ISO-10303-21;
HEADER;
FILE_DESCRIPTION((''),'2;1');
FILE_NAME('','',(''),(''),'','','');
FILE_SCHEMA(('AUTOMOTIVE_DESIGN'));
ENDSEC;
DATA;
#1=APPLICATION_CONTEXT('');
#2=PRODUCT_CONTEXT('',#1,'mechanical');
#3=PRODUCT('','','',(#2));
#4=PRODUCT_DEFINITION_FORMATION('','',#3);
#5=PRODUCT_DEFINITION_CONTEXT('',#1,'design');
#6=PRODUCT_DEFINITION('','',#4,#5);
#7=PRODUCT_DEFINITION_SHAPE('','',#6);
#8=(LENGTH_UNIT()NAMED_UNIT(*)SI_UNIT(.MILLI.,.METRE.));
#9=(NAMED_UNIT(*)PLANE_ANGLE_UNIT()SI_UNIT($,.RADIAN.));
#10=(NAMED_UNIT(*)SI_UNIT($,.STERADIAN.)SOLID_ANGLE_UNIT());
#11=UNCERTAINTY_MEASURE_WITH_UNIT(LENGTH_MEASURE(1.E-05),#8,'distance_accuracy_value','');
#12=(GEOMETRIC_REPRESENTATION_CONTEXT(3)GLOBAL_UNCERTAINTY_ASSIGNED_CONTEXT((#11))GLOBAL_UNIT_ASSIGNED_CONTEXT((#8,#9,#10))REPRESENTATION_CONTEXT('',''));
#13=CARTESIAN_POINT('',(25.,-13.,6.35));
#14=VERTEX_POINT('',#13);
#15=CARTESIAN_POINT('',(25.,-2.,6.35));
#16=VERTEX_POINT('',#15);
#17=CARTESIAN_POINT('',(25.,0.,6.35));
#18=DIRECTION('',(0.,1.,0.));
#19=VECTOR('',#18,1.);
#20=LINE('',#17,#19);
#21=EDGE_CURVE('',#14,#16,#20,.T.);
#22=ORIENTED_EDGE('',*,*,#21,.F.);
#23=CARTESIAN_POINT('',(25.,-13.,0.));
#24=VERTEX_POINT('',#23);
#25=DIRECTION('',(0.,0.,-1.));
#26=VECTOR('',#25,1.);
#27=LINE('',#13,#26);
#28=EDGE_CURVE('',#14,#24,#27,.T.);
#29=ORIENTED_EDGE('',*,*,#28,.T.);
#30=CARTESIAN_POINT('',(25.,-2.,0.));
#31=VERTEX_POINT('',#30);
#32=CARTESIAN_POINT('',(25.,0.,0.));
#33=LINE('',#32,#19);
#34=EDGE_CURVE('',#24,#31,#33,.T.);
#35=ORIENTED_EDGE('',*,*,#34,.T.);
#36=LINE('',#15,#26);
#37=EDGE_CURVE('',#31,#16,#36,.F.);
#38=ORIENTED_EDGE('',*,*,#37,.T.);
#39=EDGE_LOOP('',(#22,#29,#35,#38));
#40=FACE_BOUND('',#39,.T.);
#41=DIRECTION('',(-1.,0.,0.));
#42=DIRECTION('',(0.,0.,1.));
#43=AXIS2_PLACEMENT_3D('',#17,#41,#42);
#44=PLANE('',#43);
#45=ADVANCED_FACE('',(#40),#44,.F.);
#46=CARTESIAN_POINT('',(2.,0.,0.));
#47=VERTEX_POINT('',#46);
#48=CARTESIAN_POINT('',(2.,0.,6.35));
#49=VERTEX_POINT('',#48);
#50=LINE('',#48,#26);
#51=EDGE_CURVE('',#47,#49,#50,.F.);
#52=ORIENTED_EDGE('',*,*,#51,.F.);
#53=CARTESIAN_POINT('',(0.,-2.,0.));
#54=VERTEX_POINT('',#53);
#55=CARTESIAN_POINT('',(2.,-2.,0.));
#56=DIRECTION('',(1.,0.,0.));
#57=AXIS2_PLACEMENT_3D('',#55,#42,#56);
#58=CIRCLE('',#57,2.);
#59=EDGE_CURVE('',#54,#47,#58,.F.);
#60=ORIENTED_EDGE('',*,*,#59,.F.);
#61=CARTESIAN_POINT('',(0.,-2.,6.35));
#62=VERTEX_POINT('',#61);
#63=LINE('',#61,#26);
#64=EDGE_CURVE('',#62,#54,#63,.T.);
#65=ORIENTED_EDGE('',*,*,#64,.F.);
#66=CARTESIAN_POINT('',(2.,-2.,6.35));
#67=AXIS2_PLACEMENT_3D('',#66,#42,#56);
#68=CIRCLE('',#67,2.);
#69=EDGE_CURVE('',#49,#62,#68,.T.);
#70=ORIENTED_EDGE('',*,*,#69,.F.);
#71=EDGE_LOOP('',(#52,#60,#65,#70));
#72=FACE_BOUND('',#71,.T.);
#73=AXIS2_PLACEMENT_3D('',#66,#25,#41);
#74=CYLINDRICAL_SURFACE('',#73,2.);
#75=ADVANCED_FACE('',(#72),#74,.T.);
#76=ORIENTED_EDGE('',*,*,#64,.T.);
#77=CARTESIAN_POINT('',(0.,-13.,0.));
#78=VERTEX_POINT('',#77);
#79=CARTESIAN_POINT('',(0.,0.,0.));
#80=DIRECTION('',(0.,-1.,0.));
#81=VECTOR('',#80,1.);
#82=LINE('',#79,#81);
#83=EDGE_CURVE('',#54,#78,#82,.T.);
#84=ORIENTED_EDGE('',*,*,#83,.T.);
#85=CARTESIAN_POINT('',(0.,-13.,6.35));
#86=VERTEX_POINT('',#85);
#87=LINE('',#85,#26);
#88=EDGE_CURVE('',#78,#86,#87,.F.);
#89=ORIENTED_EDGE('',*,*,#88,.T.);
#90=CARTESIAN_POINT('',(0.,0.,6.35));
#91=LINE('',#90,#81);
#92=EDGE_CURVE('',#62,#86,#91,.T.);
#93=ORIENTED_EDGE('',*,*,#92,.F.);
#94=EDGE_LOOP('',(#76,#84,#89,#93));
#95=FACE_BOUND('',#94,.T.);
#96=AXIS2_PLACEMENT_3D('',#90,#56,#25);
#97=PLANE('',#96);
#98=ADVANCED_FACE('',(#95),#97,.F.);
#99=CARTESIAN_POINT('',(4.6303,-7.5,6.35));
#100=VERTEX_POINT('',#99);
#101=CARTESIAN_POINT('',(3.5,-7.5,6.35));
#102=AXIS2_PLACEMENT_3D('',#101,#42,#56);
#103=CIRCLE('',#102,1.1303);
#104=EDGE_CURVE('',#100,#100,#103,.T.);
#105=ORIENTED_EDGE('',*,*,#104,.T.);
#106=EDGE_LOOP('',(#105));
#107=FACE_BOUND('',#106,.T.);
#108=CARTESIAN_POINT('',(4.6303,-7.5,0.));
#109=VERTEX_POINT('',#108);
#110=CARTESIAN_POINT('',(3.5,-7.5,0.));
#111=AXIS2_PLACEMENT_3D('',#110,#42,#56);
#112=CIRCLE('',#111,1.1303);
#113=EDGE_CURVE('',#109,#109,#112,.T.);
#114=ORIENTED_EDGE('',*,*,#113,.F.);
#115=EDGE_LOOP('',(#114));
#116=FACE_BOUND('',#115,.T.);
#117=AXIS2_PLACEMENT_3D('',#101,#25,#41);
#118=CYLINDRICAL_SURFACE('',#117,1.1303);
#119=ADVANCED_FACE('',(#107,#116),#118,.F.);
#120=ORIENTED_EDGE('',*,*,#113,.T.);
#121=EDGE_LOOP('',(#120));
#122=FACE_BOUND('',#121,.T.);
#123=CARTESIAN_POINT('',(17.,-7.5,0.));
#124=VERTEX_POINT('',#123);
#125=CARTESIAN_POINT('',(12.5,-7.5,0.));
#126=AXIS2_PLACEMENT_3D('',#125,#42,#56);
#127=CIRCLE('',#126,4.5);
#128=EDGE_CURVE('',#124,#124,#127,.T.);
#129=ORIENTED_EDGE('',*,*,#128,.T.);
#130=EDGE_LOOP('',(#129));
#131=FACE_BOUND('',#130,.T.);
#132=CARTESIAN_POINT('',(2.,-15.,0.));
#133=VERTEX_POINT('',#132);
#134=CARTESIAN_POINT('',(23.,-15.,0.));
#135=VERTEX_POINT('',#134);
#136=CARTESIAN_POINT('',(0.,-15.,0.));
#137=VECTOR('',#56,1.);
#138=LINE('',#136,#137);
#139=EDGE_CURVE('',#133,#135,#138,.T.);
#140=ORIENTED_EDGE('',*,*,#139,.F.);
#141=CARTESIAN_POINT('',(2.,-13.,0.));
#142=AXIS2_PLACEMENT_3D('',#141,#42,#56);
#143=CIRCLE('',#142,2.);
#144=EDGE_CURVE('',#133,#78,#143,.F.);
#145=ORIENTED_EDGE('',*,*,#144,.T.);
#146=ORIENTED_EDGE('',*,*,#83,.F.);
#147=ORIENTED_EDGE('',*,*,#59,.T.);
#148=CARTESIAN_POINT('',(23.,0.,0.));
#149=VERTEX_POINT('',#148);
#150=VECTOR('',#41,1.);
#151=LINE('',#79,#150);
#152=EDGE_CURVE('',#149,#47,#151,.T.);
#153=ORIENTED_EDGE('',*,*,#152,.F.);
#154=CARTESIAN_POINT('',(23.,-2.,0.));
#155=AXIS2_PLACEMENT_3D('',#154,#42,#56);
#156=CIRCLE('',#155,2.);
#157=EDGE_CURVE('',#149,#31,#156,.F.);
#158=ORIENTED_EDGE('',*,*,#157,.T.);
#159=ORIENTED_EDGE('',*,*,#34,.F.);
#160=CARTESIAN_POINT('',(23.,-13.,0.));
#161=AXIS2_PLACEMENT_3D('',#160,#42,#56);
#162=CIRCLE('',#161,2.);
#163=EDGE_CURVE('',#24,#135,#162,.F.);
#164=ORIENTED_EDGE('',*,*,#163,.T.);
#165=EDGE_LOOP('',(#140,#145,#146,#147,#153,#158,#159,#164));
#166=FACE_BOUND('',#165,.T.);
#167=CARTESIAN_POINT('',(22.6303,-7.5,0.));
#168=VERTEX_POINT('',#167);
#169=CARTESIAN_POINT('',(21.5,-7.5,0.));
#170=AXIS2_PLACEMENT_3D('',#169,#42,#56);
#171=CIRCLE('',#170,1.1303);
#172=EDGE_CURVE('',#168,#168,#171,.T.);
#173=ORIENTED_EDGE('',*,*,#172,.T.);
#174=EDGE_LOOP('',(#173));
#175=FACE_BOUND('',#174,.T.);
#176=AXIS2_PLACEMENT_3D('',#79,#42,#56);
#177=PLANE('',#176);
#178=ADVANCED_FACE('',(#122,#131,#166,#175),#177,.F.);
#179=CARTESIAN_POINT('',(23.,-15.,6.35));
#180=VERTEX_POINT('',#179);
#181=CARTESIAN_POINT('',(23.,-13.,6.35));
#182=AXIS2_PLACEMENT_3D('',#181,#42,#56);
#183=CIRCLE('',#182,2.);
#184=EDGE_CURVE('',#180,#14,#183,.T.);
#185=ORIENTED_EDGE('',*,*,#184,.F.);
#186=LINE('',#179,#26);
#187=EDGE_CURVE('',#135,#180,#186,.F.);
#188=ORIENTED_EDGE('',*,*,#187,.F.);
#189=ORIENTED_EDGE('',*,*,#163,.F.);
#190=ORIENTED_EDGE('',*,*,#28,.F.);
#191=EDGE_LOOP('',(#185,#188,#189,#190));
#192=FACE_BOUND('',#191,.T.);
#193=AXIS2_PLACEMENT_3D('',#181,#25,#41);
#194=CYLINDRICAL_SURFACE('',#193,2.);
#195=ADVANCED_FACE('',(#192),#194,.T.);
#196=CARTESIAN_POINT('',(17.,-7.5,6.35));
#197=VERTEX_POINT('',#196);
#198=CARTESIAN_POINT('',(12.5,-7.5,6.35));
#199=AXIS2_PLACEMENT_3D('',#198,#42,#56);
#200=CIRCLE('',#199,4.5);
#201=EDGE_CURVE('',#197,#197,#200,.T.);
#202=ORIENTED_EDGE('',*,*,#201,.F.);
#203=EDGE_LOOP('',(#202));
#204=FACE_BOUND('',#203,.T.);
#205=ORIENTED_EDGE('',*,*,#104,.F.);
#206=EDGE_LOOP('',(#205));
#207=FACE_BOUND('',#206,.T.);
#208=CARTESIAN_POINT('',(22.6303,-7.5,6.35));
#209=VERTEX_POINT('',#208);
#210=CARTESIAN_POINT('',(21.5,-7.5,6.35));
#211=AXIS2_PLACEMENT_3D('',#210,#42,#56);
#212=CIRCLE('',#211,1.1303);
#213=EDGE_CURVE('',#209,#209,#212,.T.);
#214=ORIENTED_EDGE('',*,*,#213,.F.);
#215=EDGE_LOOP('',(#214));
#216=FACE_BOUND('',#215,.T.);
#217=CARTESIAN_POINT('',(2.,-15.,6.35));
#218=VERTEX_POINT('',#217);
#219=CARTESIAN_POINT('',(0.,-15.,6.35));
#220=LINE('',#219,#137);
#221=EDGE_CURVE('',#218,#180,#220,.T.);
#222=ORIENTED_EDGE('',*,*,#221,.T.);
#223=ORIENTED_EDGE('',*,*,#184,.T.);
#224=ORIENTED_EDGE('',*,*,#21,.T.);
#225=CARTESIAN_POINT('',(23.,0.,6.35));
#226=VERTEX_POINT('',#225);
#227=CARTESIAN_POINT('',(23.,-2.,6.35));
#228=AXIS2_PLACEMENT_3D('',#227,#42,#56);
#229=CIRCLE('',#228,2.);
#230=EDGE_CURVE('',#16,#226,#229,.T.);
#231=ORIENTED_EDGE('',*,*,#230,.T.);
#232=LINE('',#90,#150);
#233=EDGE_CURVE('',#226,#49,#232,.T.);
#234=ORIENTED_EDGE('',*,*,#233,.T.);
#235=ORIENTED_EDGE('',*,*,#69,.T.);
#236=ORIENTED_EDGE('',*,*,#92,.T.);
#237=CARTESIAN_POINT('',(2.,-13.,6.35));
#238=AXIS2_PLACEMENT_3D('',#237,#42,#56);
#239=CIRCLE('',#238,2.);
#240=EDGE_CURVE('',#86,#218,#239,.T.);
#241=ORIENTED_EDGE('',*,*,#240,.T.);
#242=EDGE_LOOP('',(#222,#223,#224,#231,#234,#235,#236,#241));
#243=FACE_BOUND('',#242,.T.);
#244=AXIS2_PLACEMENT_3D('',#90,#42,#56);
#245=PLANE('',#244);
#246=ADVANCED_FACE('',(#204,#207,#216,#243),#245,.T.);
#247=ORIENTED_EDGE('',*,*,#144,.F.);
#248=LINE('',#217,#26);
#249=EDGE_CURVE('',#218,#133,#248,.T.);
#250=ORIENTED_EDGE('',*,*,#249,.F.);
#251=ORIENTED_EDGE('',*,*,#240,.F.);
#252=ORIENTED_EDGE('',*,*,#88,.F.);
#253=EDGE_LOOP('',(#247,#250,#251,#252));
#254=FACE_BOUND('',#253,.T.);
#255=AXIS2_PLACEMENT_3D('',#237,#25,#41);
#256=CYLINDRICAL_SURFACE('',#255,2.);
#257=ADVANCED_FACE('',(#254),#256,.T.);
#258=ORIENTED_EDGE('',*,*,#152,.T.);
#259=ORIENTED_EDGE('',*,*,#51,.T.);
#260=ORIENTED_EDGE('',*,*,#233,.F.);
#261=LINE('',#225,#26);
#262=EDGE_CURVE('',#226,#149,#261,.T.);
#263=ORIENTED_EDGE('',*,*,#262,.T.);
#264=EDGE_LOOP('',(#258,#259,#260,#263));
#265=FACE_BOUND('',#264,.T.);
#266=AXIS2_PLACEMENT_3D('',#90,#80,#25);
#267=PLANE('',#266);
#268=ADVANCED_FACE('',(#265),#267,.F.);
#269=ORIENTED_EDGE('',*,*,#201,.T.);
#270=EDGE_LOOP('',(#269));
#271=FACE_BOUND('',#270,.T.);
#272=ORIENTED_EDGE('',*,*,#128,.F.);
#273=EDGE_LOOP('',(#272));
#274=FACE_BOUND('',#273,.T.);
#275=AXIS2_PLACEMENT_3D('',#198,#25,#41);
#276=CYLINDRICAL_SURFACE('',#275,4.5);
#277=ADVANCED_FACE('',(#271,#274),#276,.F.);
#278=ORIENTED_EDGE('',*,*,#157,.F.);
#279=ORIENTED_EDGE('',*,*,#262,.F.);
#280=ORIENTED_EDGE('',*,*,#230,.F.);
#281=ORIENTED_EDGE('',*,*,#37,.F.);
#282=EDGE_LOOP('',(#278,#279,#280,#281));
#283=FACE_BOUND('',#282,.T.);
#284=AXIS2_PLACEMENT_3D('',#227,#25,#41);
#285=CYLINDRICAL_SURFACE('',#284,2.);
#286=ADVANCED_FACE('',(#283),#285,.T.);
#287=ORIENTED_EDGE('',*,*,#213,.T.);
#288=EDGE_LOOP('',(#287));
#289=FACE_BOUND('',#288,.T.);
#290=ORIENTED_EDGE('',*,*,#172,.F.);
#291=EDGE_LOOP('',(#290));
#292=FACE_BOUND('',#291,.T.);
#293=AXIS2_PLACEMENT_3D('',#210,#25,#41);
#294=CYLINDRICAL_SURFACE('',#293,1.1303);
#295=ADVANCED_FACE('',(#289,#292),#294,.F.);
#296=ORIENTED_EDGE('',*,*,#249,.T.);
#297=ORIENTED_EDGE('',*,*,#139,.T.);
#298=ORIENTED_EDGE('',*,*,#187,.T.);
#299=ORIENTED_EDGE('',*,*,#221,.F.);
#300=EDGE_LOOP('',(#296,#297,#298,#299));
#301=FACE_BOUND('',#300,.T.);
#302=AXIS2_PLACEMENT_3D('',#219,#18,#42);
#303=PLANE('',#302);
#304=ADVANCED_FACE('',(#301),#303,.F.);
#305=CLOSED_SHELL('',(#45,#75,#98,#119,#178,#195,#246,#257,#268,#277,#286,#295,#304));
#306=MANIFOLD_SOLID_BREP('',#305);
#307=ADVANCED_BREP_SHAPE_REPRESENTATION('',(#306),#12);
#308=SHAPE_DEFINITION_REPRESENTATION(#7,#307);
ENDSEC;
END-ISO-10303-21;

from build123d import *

# Parameters (mm, degrees)
SKETCH1_W             = 25
SKETCH1_H             = 15
SKETCH1_R             = 4.5
SKETCH1_R_2           = 1.1303
BOSS_EXTRUDE1_DEPTH   = 6.35
F_4_40_TAPPED_HOLE1_D = 2.2606
FILLET1_R             = 2


with BuildPart() as part:
    # Sketch1 → Boss-Extrude1 (new body)
    with BuildSketch(Plane.XY):
        with Locations((12.5, -7.5)):
            Rectangle(SKETCH1_W, SKETCH1_H)
        with Locations((12.5, -7.5)):
            Circle(SKETCH1_R, mode=Mode.SUBTRACT)
        with Locations((3.5, -7.5)):
            Circle(SKETCH1_R_2, mode=Mode.SUBTRACT)
        with Locations((21.5, -7.5)):
            Circle(SKETCH1_R_2, mode=Mode.SUBTRACT)
    extrude(amount=BOSS_EXTRUDE1_DEPTH)

    # #4-40 Tapped Hole1 (through all)
    with Locations(Plane(origin=(21.5, -7.5, 6.35), x_dir=(1, 0, 0), z_dir=(0, 0, 1))):
        with Locations((0, 0), (-18, 0)):
            Hole(F_4_40_TAPPED_HOLE1_D / 2)

    # Fillet1
    fillet1_edges = [part.edges().sort_by_distance(p)[0] for p in [
        (0, 0, 3.175),
        (25, 0, 3.175),
        (25, -15, 3.175),
        (0, -15, 3.175),
    ]]
    fillet(fillet1_edges, radius=FILLET1_R)


solid = part.part
